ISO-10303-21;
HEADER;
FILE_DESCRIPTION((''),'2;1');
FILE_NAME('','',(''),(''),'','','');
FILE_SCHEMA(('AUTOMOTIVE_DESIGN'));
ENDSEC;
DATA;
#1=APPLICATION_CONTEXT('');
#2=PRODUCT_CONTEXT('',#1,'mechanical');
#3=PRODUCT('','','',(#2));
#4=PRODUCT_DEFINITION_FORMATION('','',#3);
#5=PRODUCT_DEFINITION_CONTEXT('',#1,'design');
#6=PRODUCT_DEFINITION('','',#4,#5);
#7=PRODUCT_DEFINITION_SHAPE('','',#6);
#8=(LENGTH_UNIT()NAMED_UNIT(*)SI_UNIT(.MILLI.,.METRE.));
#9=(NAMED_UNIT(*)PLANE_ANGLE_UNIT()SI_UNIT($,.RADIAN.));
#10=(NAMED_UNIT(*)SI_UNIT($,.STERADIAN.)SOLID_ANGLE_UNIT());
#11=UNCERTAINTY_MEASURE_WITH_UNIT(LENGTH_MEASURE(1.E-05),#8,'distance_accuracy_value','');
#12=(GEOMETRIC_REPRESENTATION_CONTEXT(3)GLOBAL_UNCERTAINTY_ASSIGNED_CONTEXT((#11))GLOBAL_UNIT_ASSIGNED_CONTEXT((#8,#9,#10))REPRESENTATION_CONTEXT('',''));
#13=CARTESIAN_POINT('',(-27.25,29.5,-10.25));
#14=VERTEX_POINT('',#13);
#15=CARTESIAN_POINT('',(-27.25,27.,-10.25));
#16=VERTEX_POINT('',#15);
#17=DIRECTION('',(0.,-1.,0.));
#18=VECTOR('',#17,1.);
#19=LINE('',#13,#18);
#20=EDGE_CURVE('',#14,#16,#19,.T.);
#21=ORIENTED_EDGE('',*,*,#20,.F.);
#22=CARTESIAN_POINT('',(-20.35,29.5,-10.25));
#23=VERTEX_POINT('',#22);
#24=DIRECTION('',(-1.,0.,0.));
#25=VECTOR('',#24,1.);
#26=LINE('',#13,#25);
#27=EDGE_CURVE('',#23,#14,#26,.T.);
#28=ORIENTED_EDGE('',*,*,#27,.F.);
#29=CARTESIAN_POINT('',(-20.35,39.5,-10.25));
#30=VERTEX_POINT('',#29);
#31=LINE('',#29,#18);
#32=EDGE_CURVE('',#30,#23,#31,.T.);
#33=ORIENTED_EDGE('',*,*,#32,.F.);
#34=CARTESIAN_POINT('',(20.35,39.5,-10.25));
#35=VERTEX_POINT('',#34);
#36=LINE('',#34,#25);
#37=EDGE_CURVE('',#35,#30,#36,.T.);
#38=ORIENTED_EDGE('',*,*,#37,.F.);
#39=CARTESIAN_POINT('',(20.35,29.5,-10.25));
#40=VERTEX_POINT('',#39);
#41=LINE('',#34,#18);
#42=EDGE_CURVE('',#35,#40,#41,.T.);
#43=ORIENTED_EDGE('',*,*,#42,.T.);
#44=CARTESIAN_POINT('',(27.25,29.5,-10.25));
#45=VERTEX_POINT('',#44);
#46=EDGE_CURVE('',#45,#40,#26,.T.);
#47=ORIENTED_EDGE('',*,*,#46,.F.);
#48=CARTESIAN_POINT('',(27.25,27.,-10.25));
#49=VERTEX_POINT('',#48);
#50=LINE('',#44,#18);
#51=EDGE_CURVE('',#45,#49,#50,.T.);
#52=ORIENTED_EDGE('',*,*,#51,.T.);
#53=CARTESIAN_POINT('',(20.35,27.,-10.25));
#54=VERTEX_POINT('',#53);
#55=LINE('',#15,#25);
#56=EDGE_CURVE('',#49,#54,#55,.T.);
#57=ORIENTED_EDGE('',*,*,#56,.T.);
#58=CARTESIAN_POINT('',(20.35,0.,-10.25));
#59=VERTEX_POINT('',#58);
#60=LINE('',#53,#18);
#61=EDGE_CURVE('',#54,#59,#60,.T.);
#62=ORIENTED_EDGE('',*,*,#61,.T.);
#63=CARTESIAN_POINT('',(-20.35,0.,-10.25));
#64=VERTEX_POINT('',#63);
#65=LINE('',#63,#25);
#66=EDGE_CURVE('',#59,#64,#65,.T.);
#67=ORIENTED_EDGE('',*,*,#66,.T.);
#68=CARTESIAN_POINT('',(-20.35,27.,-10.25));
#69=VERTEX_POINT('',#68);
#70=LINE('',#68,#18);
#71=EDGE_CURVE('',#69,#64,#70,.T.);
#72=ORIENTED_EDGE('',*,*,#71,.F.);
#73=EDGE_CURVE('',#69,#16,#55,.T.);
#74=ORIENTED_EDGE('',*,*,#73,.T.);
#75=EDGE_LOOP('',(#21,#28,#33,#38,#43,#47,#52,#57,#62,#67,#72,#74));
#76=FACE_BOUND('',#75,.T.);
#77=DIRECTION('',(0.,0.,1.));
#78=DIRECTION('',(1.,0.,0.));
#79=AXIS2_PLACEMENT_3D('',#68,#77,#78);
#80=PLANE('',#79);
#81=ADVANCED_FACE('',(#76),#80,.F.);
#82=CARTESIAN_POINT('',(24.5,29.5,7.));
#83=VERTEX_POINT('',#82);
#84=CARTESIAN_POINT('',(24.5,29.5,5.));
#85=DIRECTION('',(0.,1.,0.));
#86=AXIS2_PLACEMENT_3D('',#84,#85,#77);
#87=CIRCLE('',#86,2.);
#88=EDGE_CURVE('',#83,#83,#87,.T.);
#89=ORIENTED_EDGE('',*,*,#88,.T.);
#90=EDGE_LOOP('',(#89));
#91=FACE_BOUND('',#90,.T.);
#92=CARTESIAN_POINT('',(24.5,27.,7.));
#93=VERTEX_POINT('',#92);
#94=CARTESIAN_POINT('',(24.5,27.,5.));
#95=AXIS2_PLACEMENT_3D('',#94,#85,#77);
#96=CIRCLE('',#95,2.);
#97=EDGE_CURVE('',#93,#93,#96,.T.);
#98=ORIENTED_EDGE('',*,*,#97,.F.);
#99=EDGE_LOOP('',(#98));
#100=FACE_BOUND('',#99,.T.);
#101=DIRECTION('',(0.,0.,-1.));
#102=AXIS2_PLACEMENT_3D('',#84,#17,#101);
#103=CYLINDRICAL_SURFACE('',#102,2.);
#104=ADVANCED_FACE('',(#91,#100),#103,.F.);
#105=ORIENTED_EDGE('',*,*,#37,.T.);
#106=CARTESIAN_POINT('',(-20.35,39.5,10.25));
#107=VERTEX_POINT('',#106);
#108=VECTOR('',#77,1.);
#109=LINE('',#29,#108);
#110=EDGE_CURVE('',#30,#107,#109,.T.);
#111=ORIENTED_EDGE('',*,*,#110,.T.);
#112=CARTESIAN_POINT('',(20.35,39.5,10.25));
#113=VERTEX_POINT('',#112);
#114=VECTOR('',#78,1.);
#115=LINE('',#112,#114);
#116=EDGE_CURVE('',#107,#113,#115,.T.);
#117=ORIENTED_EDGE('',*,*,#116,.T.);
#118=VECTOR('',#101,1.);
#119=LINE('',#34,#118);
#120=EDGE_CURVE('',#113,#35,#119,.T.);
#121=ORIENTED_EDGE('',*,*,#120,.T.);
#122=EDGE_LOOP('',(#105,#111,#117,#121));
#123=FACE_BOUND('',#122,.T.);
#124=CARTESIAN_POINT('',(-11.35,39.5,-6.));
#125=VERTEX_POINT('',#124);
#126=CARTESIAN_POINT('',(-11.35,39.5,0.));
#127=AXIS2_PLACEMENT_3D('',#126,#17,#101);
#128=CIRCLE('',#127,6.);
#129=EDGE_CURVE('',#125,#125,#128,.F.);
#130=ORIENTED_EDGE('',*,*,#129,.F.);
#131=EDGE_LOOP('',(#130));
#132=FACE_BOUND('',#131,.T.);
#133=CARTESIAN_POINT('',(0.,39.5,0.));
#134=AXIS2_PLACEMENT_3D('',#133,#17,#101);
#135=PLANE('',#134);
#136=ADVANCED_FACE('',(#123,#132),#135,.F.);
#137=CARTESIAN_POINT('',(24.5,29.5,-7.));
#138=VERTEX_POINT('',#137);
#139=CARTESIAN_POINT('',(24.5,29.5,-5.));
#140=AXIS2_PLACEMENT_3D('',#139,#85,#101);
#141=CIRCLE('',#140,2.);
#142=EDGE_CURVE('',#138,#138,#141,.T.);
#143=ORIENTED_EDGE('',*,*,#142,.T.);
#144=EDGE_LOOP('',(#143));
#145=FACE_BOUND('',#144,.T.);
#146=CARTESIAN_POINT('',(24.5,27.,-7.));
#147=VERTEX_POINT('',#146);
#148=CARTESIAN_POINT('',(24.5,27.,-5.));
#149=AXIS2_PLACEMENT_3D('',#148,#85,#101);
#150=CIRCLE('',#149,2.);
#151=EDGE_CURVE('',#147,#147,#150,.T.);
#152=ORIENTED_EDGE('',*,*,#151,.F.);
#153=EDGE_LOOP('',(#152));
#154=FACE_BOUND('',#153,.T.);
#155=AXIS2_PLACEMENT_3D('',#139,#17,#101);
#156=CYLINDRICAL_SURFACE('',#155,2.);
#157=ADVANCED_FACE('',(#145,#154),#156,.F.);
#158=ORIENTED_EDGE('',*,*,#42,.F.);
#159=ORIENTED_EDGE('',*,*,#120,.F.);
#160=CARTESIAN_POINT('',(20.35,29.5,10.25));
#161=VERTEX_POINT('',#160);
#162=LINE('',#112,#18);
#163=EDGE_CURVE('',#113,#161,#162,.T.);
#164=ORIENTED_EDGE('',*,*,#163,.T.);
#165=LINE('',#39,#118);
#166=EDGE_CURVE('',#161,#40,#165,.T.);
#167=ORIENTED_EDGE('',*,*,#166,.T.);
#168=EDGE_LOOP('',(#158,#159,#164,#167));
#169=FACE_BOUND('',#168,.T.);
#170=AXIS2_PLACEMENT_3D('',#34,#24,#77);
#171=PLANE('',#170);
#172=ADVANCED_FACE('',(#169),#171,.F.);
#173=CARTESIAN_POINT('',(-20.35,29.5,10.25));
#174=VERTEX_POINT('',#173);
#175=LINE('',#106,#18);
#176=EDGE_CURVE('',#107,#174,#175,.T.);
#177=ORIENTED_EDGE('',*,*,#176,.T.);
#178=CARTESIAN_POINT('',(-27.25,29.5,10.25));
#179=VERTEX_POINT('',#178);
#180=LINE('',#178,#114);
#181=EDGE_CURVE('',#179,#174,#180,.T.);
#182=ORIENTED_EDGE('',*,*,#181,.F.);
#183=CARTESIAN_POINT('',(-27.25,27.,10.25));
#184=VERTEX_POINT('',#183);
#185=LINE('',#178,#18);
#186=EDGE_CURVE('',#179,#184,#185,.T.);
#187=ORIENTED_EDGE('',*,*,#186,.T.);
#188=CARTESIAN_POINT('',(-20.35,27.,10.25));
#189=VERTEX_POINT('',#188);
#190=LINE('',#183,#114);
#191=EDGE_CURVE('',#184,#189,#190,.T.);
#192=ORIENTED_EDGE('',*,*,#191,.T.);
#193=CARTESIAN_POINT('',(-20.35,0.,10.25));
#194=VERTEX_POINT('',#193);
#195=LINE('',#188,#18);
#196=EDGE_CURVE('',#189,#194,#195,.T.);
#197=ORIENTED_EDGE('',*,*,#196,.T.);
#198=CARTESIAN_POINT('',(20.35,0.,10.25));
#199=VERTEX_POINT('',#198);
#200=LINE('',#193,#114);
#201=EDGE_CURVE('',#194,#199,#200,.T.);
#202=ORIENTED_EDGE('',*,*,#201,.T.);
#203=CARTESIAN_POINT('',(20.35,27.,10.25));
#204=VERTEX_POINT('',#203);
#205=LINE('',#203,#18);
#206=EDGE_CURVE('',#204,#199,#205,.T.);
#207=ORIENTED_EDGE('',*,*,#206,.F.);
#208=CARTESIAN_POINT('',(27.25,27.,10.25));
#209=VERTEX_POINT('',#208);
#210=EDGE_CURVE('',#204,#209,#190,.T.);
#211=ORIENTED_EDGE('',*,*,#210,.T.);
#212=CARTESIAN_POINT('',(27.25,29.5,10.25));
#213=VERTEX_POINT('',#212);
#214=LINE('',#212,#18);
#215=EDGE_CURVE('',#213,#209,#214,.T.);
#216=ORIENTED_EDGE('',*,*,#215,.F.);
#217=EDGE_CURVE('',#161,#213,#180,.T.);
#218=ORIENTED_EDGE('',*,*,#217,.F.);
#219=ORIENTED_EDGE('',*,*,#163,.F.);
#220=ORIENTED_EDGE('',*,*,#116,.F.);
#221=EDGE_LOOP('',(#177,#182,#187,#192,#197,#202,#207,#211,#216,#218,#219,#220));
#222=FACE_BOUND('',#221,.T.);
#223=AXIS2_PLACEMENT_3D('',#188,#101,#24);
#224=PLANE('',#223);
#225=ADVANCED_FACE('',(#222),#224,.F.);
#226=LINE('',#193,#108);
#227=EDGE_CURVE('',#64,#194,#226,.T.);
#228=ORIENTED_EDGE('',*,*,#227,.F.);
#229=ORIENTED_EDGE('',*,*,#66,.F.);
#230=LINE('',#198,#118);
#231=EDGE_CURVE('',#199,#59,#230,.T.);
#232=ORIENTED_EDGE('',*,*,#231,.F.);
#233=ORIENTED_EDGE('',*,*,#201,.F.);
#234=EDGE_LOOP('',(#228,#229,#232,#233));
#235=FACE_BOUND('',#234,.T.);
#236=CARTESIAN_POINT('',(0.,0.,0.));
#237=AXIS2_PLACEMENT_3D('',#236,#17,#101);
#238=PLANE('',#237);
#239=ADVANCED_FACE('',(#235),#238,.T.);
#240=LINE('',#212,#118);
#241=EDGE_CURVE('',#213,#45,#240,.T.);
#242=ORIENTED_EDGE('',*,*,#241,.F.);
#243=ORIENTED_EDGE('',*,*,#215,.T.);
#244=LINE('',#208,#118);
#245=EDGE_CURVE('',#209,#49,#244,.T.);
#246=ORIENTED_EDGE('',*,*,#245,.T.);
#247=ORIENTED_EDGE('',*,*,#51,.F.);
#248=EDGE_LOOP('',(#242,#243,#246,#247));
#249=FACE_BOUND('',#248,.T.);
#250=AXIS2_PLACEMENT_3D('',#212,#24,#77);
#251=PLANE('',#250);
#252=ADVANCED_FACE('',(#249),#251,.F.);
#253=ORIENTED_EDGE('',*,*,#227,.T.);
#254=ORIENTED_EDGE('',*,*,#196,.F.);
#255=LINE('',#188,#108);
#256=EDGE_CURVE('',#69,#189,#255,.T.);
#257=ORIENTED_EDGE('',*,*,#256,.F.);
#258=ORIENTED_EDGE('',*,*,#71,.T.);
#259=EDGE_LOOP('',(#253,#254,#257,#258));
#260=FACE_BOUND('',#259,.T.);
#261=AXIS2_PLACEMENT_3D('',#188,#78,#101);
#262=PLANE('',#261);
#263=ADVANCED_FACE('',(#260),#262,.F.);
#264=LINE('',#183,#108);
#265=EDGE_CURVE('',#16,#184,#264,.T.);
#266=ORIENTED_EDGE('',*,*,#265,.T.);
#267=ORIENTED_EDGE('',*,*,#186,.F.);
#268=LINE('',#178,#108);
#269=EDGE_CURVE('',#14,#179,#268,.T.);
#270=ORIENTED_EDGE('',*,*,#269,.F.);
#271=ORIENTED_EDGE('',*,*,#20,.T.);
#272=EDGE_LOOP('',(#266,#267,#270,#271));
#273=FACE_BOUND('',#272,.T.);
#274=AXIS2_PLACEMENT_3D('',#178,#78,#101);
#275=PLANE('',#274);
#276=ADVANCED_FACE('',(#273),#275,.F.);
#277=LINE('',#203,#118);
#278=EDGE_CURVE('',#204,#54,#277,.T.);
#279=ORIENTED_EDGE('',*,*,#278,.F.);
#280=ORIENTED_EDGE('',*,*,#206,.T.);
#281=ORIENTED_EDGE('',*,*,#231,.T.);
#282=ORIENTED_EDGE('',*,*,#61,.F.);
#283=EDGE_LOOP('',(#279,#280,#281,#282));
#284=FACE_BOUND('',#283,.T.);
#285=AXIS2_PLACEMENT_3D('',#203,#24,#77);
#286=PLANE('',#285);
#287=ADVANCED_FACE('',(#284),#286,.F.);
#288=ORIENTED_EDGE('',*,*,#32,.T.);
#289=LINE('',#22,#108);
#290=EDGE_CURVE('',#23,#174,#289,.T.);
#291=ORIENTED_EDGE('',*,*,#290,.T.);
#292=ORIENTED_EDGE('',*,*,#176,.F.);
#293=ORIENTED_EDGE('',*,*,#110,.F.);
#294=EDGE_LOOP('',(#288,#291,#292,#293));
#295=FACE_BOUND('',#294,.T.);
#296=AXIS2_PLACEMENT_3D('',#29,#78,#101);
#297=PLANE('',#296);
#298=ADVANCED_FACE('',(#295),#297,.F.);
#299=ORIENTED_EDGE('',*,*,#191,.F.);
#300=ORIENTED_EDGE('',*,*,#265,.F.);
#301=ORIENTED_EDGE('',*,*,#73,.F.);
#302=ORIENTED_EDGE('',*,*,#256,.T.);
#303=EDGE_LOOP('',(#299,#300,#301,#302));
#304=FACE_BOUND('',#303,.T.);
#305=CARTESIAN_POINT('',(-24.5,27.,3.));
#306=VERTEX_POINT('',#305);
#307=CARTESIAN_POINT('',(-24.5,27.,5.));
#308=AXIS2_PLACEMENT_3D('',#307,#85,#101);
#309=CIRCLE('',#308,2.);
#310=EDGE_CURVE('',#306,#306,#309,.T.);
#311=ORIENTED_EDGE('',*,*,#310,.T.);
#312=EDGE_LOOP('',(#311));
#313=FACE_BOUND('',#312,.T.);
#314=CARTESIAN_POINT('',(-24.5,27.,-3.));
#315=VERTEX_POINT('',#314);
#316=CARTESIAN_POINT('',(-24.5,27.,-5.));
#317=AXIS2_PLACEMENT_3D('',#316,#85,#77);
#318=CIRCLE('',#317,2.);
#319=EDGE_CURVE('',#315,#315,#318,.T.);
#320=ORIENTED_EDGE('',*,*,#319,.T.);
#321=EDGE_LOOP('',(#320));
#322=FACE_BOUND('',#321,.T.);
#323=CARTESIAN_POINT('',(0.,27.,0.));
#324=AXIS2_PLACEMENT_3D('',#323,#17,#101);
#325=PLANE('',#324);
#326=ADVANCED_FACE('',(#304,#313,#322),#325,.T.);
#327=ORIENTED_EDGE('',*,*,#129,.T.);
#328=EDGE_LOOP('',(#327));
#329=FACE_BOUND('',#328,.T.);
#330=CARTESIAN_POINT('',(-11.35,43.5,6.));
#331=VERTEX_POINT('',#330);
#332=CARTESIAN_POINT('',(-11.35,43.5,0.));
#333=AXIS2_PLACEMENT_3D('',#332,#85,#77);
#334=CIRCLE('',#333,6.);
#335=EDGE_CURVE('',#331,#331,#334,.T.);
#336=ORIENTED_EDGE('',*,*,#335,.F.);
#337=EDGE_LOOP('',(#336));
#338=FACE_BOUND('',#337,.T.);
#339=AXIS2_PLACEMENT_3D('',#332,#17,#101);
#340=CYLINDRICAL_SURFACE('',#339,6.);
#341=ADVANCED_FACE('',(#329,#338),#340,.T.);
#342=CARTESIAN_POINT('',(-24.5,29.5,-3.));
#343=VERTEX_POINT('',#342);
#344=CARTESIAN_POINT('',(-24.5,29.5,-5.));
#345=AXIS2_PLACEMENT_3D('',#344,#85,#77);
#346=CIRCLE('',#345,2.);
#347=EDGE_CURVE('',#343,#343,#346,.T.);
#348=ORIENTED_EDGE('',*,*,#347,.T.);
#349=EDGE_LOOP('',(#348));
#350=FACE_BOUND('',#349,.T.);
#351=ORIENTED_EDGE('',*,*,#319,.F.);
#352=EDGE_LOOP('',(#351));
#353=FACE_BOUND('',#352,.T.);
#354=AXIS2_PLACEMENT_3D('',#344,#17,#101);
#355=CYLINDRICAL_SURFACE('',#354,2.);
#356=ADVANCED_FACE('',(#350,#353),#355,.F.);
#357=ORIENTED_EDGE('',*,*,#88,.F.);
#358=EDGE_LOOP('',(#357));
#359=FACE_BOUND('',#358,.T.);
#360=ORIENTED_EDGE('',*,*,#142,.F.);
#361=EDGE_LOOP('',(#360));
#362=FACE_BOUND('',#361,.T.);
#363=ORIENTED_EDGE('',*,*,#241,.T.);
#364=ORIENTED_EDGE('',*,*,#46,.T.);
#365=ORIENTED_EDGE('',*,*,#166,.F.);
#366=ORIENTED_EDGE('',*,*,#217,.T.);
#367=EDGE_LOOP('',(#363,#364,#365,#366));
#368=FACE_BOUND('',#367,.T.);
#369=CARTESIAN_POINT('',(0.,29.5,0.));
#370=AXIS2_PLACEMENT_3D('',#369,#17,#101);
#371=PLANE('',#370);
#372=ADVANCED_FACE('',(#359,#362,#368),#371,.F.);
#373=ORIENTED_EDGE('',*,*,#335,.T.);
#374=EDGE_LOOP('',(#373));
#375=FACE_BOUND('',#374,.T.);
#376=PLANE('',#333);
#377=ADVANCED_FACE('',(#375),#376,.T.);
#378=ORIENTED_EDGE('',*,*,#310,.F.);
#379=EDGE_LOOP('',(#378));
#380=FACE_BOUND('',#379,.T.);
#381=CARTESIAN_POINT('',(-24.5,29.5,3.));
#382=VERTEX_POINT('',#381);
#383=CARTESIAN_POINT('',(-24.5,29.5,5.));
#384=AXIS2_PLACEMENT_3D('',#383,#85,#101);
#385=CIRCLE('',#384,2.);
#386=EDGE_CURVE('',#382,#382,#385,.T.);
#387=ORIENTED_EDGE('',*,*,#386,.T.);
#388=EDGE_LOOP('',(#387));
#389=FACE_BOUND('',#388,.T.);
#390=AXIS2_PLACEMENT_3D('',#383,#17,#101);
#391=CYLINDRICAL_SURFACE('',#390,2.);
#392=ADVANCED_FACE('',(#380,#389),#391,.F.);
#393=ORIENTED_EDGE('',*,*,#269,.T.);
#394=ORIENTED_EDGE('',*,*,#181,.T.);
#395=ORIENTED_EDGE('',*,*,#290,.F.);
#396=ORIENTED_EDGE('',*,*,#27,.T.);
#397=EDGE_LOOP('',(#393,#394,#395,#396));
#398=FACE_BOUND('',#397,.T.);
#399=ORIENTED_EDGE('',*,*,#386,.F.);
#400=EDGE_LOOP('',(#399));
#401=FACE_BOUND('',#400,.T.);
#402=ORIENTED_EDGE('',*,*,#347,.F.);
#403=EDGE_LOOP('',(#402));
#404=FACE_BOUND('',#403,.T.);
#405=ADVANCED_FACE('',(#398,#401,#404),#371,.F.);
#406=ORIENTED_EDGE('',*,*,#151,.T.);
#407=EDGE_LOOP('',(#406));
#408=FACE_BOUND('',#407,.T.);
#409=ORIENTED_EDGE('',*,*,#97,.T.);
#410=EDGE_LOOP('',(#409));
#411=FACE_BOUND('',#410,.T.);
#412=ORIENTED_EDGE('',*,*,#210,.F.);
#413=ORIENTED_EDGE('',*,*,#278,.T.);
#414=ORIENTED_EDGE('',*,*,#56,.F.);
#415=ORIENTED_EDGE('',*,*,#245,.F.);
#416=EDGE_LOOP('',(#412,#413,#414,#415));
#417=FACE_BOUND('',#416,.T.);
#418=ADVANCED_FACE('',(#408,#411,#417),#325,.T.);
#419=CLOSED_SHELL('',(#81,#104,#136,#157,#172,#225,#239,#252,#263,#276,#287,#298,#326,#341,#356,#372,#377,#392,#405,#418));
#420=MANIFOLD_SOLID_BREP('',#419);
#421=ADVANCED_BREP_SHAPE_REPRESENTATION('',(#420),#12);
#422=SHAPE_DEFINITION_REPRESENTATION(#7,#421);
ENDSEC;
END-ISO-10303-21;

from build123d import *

# Parameters (mm, degrees)
SKETCH2_W           = 40.7
SKETCH2_H           = 20.5
BOSS_EXTRUDE1_DEPTH = 27
SKETCH3_W           = 54.5
SKETCH3_H           = 20.5
SKETCH3_R           = 2
BOSS_EXTRUDE2_DEPTH = 2.5
SKETCH4_W           = 40.7
SKETCH4_H           = 20.5
BOSS_EXTRUDE3_DEPTH = 10
SKETCH5_R           = 6
BOSS_EXTRUDE4_DEPTH = 4


with BuildPart() as part:
    # Sketch2 → Boss-Extrude1 (new body)
    with BuildSketch(Plane(origin=(0, 0, 0), x_dir=(1, 0, 0), z_dir=(0, 1, 0))):
        Rectangle(SKETCH2_W, SKETCH2_H)
    extrude(amount=BOSS_EXTRUDE1_DEPTH)

    # Sketch3 → Boss-Extrude2 (add)
    with BuildSketch(Plane(origin=(0, 27, 0), x_dir=(1, 0, 0), z_dir=(0, 1, 0))):
        Rectangle(SKETCH3_W, SKETCH3_H)
        with Locations(Location((-24.5, 5, 0), (0, 0, 270))):
            Circle(SKETCH3_R, mode=Mode.SUBTRACT)
        with Locations(Location((-24.5, -5, 0), (0, 0, 90))):
            Circle(SKETCH3_R, mode=Mode.SUBTRACT)
        with Locations(Location((24.5, -5, 0), (0, 0, 270))):
            Circle(SKETCH3_R, mode=Mode.SUBTRACT)
        with Locations(Location((24.5, 5, 0), (0, 0, 90))):
            Circle(SKETCH3_R, mode=Mode.SUBTRACT)
    extrude(amount=BOSS_EXTRUDE2_DEPTH)

    # Sketch4 → Boss-Extrude3 (add)
    with BuildSketch(Plane(origin=(0, 29.5, 0), x_dir=(1, 0, 0), z_dir=(0, 1, 0))):
        Rectangle(SKETCH4_W, SKETCH4_H)
    extrude(amount=BOSS_EXTRUDE3_DEPTH)

    # Sketch5 → Boss-Extrude4 (add)
    with BuildSketch(Plane(origin=(0, 39.5, 0), x_dir=(1, 0, 0), z_dir=(0, 1, 0))):
        with Locations(Location((-11.35, 0, 0), (0, 0, 90))):
            Circle(SKETCH5_R)
    extrude(amount=BOSS_EXTRUDE4_DEPTH)


solid = part.part
